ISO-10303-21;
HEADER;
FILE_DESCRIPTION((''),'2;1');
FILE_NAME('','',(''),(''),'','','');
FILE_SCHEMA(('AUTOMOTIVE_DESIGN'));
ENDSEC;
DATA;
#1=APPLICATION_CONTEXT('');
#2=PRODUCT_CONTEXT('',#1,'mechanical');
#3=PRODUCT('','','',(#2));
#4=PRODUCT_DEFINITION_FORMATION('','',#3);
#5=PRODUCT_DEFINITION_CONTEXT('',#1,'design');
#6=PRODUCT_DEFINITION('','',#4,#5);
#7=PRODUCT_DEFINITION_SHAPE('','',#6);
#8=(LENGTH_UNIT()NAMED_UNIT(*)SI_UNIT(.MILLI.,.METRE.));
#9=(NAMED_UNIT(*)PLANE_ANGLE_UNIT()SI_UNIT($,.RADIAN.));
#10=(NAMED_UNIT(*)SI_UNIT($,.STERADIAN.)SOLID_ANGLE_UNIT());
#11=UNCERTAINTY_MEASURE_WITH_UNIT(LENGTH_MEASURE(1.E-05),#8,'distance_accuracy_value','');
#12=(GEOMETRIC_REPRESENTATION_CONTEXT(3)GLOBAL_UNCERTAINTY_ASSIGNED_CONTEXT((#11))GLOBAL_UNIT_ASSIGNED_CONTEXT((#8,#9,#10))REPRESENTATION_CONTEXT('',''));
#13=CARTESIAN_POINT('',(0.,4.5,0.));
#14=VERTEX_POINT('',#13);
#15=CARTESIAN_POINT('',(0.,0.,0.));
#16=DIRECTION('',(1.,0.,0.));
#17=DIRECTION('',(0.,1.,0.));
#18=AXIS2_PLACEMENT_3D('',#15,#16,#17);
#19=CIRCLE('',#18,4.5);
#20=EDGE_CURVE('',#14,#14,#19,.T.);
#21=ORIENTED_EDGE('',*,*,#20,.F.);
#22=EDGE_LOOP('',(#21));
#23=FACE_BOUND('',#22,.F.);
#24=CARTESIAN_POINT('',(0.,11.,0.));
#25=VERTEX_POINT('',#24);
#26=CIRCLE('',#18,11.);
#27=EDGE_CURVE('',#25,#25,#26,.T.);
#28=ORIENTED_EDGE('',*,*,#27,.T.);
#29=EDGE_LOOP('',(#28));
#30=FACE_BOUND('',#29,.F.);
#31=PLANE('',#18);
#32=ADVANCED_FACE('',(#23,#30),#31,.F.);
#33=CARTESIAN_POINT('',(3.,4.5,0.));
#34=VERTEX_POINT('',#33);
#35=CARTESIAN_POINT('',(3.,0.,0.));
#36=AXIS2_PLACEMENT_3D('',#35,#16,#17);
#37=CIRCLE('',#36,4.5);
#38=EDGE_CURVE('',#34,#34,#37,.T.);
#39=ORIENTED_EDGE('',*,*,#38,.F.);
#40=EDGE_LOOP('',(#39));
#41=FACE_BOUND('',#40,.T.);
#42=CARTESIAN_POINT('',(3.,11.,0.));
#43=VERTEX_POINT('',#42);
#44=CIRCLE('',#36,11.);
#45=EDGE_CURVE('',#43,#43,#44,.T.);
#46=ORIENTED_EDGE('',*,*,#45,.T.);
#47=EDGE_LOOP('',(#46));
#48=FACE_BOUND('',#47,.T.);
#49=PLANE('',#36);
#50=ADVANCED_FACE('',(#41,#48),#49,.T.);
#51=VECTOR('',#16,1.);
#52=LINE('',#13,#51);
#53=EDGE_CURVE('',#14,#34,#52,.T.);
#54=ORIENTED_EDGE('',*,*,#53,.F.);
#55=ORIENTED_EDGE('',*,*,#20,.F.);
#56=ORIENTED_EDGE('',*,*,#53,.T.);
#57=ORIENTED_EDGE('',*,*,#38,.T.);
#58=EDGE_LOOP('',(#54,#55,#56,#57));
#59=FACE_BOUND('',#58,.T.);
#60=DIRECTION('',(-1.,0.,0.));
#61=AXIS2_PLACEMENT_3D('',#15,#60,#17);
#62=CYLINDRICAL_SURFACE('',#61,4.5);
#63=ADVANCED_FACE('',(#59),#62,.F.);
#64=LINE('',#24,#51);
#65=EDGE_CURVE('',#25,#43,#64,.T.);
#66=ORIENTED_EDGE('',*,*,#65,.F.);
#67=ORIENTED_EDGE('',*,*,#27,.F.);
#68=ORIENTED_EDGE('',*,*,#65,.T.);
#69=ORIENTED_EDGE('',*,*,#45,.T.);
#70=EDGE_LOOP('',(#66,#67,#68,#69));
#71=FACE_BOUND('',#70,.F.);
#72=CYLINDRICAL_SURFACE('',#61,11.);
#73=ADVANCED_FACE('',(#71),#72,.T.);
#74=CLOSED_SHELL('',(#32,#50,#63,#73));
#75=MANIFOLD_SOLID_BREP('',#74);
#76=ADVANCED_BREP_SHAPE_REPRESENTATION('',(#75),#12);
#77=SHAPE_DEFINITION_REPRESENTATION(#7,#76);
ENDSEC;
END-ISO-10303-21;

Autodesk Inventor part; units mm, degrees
ref_plane "YZ Plane" through (0, 0, 0) normal (1, 0, 0) x (0, 1, 0)
ref_plane "XZ Plane" through (0, 0, 0) normal (0, 1, 0) x (-1, 0, 0)
ref_plane "XY Plane" through (0, 0, 0) normal (0, 0, 1) x (1, 0, 0)
sketch "Sketch1" plane through (0, 0, 0) normal (1, 0, 0) x (0, 1, 0)
  circle A0 centre (0, 0) radius 4.5
  circle A1 centre (0, 0) radius 11
  dimension "d0" = 9
  dimension "d1" = 22
extrude "Extrusion1" add sketch "Sketch1" along normal blind 3
properties part number "dystans 22mm..3mm"
